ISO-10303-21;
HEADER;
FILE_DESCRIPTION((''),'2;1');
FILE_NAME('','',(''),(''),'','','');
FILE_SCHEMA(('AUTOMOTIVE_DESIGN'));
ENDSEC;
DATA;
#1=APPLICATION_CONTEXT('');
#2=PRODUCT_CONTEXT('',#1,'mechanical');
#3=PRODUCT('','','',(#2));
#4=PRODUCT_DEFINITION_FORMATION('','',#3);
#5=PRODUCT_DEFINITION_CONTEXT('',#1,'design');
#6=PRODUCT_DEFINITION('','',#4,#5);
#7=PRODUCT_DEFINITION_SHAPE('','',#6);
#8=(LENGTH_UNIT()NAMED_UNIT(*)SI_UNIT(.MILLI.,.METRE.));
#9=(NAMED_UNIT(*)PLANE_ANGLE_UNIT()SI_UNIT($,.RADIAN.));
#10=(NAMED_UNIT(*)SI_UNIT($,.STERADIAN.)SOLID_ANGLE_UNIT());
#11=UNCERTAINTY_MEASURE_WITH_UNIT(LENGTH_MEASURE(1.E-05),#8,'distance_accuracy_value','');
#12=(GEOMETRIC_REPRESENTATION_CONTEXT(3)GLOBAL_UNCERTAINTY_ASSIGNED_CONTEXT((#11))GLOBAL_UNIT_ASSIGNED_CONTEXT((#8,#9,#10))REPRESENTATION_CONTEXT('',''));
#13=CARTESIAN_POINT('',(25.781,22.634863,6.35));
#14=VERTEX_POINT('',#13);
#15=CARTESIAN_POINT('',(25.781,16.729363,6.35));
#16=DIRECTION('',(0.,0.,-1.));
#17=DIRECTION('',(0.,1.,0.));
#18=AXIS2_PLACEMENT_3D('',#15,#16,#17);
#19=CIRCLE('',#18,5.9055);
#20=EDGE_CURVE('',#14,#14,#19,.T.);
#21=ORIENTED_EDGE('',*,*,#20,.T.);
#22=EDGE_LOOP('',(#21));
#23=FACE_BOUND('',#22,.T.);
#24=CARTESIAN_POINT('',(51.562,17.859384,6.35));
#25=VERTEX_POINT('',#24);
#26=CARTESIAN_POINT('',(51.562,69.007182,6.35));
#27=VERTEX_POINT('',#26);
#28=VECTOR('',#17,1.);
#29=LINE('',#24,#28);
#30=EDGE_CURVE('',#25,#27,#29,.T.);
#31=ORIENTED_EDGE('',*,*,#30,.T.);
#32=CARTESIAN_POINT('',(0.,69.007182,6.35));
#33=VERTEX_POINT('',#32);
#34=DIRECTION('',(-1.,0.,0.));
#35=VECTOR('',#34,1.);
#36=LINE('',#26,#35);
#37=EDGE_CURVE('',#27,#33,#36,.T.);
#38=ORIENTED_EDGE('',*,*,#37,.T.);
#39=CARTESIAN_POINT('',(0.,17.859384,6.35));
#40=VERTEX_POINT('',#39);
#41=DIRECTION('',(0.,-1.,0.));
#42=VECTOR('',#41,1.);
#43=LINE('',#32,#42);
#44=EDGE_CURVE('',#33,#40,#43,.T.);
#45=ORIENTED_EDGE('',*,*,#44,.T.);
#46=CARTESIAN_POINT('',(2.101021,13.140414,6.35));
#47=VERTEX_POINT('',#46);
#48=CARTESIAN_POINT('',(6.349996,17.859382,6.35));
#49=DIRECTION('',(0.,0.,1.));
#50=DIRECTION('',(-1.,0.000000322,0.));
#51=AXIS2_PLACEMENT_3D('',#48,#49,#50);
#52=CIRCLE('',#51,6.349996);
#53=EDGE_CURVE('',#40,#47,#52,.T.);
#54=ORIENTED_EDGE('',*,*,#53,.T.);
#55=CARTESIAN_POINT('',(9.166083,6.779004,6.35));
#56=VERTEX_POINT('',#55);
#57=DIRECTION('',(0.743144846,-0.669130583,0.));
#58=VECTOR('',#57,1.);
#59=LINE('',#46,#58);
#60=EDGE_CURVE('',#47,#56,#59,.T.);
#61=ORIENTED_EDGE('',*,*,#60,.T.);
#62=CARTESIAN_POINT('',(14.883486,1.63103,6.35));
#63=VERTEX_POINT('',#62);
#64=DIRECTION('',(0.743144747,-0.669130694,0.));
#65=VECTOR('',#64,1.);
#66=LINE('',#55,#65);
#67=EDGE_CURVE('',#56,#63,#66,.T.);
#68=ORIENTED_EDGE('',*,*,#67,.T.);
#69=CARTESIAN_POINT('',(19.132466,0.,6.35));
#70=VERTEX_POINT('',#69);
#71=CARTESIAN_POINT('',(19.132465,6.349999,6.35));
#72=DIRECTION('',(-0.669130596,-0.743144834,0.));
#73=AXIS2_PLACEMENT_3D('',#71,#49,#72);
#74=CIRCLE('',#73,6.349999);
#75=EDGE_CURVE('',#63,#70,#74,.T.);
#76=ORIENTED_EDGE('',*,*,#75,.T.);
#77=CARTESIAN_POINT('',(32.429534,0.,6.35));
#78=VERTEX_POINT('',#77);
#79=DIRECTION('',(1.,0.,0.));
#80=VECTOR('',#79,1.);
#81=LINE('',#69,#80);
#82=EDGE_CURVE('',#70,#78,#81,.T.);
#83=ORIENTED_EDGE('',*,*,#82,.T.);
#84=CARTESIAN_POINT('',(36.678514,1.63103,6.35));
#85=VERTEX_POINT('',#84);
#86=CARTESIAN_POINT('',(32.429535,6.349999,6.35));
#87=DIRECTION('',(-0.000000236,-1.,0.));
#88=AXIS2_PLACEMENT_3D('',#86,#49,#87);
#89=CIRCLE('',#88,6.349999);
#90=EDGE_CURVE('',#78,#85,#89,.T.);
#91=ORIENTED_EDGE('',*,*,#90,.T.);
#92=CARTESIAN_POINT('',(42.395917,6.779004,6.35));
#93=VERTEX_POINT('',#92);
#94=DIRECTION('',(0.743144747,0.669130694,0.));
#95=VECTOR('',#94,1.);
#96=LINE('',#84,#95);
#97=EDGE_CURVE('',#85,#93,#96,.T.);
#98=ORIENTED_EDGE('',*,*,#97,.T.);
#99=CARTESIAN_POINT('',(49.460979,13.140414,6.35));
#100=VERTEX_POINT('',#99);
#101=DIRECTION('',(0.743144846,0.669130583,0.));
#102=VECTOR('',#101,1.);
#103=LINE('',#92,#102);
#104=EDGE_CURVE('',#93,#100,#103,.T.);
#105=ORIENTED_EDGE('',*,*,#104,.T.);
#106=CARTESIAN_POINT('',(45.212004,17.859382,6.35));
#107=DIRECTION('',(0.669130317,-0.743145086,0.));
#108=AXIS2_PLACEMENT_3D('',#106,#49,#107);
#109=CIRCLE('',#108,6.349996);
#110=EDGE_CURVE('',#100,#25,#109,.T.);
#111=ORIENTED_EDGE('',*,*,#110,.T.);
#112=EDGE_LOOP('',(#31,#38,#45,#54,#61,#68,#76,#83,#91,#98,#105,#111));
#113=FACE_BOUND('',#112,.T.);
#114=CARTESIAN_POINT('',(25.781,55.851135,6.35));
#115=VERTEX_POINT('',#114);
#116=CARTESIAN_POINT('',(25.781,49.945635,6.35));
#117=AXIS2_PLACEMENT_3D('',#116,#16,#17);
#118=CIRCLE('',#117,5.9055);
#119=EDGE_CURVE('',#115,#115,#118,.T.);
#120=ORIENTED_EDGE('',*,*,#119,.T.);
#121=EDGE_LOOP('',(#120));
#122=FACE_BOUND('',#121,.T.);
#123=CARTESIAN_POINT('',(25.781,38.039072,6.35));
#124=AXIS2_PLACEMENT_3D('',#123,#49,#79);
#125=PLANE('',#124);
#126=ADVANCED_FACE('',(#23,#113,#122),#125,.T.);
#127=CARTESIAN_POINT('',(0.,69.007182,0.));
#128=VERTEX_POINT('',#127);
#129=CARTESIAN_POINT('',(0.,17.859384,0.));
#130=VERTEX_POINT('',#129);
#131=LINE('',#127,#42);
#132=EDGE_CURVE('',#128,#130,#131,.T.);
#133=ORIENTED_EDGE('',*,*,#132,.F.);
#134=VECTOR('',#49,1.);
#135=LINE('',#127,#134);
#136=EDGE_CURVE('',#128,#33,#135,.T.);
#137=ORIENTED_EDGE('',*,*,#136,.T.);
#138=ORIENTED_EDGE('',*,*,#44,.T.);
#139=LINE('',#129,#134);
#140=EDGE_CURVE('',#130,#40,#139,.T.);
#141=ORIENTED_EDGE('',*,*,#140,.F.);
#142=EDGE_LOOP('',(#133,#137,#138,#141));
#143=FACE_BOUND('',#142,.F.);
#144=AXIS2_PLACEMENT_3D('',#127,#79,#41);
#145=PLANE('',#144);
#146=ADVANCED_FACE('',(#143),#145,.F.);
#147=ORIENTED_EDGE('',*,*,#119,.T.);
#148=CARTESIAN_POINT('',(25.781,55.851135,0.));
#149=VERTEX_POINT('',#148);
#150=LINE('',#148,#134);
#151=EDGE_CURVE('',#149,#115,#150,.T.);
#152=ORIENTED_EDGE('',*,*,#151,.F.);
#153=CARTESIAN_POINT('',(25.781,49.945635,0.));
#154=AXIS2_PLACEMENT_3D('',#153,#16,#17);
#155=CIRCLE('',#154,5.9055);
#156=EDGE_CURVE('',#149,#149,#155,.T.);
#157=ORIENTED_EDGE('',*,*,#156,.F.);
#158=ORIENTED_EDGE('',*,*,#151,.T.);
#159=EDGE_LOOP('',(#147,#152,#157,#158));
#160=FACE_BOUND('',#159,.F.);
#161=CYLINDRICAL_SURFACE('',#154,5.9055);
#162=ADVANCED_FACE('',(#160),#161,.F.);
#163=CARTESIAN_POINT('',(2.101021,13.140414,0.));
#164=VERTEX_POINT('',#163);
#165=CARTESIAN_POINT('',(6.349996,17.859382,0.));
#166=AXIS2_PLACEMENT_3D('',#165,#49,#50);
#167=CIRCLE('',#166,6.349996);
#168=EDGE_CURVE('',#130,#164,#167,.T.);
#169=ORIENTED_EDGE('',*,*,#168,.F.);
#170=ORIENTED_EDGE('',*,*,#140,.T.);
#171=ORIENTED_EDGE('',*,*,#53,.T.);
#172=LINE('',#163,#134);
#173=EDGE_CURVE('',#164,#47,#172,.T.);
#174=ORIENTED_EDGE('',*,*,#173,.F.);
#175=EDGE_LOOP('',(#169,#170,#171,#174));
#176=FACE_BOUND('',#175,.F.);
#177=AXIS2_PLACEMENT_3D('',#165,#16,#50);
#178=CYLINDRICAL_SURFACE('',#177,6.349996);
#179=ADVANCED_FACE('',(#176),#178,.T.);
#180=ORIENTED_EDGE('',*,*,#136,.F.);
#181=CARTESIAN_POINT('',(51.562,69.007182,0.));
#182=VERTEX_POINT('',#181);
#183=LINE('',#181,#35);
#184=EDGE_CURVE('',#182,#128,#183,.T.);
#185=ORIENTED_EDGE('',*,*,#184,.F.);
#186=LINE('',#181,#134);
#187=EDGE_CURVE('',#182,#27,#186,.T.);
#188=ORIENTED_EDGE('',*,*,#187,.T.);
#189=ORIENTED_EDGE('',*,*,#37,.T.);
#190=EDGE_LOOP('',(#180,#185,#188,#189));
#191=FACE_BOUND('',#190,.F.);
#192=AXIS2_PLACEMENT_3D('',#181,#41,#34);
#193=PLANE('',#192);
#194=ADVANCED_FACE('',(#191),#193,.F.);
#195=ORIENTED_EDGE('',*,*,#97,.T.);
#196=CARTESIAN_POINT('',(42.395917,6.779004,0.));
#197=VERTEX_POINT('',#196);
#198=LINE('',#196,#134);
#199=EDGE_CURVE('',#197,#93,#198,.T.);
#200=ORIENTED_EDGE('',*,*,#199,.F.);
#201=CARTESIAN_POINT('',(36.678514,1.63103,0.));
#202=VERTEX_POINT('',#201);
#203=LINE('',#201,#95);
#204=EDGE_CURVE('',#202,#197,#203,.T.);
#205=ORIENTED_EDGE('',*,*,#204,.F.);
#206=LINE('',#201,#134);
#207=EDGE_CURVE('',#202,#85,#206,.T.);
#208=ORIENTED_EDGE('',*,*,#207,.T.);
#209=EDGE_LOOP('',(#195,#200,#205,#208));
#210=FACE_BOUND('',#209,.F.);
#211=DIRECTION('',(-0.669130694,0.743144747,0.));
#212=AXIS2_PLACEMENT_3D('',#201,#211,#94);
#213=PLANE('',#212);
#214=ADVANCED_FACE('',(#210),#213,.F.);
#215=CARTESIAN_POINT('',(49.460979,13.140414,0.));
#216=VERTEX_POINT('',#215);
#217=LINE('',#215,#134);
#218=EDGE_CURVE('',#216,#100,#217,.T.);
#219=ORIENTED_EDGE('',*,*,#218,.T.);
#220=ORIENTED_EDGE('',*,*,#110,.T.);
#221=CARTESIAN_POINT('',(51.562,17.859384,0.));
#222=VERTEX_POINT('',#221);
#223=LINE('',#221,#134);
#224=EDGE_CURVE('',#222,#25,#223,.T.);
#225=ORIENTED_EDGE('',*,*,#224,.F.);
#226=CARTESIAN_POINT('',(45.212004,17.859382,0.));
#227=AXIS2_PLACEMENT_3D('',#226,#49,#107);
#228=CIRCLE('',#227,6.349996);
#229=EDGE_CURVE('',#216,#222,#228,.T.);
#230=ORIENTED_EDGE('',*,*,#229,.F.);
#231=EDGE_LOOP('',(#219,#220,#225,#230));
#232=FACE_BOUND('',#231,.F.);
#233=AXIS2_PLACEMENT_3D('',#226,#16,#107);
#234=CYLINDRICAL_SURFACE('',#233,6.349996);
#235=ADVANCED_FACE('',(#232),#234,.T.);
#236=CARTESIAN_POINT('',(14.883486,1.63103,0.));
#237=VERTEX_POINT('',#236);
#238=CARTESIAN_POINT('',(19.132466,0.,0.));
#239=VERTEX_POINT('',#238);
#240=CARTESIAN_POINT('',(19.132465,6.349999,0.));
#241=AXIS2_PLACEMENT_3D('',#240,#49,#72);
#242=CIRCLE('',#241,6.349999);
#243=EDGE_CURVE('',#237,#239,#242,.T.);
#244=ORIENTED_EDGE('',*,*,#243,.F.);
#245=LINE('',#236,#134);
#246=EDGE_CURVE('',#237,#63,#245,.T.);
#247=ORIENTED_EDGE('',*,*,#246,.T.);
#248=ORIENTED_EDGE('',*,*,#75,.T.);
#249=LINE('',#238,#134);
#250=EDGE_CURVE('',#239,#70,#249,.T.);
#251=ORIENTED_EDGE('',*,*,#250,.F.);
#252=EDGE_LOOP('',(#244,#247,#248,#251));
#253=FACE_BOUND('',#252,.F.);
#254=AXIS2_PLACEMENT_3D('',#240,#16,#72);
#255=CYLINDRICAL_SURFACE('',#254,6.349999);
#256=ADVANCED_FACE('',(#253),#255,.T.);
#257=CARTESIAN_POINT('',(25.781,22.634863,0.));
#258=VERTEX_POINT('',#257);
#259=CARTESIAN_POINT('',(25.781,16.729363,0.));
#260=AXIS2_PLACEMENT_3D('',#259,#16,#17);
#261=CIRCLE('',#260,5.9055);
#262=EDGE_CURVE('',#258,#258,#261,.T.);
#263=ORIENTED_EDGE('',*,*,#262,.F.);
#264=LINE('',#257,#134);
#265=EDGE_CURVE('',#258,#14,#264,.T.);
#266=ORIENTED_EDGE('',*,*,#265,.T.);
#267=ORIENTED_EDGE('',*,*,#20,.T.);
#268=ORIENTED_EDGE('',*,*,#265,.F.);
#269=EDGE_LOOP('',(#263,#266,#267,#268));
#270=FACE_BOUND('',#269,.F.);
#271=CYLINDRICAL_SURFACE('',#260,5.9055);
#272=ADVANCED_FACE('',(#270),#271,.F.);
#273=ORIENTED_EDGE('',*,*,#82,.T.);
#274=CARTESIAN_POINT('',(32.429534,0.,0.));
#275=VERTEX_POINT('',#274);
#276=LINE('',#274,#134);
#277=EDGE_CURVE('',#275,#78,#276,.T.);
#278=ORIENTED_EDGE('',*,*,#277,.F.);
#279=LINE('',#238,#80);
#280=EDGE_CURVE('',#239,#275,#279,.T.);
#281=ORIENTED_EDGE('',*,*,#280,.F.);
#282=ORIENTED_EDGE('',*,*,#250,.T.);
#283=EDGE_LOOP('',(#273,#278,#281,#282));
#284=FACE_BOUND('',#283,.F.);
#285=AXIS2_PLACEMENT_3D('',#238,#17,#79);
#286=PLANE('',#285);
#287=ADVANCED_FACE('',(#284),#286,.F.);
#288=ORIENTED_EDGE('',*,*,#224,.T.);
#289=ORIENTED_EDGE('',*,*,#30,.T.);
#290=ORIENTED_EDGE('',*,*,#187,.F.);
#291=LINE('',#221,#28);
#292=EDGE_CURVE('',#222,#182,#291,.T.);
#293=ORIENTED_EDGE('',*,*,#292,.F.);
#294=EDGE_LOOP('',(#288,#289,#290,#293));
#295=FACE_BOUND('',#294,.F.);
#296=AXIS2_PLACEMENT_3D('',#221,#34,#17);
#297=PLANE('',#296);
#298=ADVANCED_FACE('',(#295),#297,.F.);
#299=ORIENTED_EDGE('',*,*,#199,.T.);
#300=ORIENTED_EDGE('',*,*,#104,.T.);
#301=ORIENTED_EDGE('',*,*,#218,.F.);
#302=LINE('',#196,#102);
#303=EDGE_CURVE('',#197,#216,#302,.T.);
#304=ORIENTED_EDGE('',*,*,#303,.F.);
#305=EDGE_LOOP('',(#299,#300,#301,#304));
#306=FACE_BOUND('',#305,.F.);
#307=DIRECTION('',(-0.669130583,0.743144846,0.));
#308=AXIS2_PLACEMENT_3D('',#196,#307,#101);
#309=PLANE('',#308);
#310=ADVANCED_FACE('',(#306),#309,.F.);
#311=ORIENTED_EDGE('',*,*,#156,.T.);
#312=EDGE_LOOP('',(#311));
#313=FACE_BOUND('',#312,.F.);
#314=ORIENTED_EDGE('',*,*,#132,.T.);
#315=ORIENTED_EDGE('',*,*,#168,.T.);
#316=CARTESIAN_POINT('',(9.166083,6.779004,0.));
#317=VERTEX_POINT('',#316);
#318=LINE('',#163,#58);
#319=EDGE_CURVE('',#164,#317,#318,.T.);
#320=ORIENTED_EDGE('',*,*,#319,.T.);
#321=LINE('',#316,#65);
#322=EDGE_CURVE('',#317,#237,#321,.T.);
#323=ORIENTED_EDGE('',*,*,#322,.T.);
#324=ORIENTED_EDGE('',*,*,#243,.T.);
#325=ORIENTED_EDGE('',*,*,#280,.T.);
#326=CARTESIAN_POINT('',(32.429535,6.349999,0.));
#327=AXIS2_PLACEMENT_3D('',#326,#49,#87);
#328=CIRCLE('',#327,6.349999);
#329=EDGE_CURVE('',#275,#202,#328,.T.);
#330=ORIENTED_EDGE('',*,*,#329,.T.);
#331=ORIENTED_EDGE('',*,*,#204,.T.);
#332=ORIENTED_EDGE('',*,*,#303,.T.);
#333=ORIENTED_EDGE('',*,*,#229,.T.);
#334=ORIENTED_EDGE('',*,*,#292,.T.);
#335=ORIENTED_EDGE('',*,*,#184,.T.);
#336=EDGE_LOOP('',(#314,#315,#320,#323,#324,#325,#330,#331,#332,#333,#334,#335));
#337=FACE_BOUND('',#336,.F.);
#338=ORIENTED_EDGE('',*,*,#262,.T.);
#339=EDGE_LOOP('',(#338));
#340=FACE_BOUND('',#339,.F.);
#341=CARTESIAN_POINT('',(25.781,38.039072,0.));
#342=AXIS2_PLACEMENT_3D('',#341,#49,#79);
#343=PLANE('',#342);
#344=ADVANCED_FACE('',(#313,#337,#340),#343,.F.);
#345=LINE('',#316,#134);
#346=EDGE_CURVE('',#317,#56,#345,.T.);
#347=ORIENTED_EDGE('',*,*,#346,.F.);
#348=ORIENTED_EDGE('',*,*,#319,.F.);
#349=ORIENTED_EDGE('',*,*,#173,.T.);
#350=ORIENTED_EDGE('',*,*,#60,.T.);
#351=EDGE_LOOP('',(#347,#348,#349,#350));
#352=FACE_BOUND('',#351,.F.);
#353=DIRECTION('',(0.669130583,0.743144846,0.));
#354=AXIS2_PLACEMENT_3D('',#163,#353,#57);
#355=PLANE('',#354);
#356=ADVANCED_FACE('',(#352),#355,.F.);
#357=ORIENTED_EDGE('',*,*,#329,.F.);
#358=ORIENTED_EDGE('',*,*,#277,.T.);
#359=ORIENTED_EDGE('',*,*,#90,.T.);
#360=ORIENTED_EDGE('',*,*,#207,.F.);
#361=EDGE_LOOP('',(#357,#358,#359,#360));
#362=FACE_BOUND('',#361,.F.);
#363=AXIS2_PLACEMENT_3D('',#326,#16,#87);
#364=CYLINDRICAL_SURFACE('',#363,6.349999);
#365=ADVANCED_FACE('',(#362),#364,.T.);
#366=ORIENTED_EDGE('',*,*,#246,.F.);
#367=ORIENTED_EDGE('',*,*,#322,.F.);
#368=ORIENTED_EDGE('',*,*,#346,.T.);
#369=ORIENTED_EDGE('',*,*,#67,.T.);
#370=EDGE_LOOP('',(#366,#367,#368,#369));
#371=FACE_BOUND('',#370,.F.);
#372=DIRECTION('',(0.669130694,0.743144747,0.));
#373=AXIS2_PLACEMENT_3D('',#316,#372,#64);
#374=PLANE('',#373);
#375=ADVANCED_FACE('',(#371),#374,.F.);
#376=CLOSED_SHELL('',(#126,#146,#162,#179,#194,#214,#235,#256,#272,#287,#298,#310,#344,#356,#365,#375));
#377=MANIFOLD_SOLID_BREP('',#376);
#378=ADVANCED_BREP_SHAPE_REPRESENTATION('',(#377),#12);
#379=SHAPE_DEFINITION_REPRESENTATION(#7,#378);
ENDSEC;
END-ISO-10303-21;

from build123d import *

# Parameters (mm, degrees)
F1_DEPTH = 6.35


with BuildPart() as f1:
    # F0 (on Top) → F1 (new body)
    with BuildSketch(Plane.XY):
        with BuildLine():
            Line((51.562, 69.007182), (25.781, 69.007182))
            Line((25.781, 69.007182), (0, 69.007182))
            Line((0, 69.007182), (0, 17.859384))
            ThreePointArc((0, 17.859384), (0.548986, 15.276606), (2.101021, 13.140414))
            Line((2.101021, 13.140414), (9.166083, 6.779004))
            Line((9.166083, 6.779004), (14.883486, 1.63103))
            ThreePointArc((14.883486, 1.63103), (16.856829, 0.421764), (19.132466, 0))
            Line((19.132466, 0), (32.429534, 0))
            ThreePointArc((32.429534, 0), (34.705171, 0.421764), (36.678514, 1.63103))
            Line((36.678514, 1.63103), (42.395917, 6.779004))
            Line((42.395917, 6.779004), (49.460979, 13.140414))
            ThreePointArc((49.460979, 13.140414), (51.013014, 15.276606), (51.562, 17.859384))
            Line((51.562, 17.859384), (51.562, 69.007182))
        make_face()
        with BuildLine():
            ThreePointArc((25.781, 10.823863), (19.8755, 16.729363), (25.781, 22.634863))
            ThreePointArc((25.781, 22.634863), (31.6865, 16.729363), (25.781, 10.823863))
        make_face(mode=Mode.SUBTRACT)
        with BuildLine():
            ThreePointArc((25.781, 44.040135), (19.8755, 49.945635), (25.781, 55.851135))
            ThreePointArc((25.781, 55.851135), (31.6865, 49.945635), (25.781, 44.040135))
        make_face(mode=Mode.SUBTRACT)
    extrude(amount=F1_DEPTH)


solid = f1.part
